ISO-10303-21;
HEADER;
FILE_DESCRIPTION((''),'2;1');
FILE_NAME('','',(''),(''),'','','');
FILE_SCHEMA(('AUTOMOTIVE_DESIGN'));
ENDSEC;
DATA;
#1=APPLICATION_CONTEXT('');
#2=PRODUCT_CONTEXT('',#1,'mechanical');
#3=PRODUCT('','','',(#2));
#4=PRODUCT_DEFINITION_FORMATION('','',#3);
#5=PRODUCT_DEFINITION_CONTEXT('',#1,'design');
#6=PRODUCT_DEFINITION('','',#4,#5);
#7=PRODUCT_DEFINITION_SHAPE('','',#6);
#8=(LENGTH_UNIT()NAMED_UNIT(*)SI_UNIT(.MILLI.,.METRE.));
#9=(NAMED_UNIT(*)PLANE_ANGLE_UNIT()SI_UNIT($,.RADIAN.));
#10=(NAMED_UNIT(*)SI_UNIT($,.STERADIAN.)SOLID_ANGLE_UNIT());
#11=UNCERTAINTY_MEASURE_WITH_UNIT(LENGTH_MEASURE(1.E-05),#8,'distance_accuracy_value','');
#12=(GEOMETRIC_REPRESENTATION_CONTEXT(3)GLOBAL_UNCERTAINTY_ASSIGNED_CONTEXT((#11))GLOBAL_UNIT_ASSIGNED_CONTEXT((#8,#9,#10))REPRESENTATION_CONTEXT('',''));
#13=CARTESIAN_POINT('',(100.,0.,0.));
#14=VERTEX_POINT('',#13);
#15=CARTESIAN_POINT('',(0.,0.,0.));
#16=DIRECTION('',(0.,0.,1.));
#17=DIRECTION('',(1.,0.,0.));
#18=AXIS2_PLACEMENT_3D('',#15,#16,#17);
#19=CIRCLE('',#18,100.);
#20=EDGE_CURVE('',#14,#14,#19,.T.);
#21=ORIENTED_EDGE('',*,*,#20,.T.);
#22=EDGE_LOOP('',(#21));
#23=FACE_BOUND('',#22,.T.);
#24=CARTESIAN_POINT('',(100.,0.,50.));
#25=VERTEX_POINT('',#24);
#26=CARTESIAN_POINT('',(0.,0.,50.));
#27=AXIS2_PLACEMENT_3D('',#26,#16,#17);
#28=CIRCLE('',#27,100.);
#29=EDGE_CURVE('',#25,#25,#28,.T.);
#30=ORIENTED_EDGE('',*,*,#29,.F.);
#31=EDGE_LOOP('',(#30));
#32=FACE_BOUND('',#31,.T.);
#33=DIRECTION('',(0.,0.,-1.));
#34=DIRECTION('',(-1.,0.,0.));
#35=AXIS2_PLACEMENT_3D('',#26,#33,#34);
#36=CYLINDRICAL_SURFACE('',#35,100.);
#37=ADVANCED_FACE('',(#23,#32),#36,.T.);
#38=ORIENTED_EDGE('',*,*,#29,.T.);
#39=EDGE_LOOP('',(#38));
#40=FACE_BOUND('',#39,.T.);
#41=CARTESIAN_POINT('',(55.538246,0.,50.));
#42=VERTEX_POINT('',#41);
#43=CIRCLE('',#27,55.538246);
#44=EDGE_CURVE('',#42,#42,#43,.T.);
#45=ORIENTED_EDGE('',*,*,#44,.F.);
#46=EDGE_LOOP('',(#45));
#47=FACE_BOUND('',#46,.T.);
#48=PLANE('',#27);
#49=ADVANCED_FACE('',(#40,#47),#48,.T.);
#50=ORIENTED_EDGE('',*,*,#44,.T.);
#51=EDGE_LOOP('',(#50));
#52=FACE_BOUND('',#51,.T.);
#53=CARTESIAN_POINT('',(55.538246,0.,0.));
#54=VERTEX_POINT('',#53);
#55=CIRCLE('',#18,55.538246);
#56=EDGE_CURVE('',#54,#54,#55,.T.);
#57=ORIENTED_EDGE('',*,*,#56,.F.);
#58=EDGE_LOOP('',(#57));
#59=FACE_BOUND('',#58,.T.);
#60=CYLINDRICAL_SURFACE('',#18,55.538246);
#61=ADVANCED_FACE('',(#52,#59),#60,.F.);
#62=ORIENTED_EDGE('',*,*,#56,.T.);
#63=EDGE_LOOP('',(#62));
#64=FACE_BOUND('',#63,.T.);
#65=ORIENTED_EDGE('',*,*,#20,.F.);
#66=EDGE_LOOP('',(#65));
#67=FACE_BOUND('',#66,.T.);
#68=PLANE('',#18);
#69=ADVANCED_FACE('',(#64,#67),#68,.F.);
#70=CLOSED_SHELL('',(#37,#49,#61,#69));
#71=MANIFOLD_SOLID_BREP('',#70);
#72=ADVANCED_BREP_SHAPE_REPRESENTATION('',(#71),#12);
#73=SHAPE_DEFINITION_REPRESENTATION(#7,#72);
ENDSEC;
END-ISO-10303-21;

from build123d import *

# Parameters (mm, degrees)
SKETCH_1_R          = 100
EXTRUDE_1_DEPTH     = 50
SKETCH_2_R          = 55.538245615
CUT_EXTRUDE_1_DEPTH = 51


with BuildPart() as part:
    # Эскиз1 → Бобышка-Вытянуть1 (new body)
    with BuildSketch(Plane.XY):
        Circle(SKETCH_1_R)
    extrude(amount=EXTRUDE_1_DEPTH)

    # Эскиз2 → Вырез-Вытянуть1 (cut, through all)
    with BuildSketch(Plane.XY.offset(50)):
        Circle(SKETCH_2_R)
    extrude(amount=-CUT_EXTRUDE_1_DEPTH, mode=Mode.SUBTRACT)


solid = part.part
